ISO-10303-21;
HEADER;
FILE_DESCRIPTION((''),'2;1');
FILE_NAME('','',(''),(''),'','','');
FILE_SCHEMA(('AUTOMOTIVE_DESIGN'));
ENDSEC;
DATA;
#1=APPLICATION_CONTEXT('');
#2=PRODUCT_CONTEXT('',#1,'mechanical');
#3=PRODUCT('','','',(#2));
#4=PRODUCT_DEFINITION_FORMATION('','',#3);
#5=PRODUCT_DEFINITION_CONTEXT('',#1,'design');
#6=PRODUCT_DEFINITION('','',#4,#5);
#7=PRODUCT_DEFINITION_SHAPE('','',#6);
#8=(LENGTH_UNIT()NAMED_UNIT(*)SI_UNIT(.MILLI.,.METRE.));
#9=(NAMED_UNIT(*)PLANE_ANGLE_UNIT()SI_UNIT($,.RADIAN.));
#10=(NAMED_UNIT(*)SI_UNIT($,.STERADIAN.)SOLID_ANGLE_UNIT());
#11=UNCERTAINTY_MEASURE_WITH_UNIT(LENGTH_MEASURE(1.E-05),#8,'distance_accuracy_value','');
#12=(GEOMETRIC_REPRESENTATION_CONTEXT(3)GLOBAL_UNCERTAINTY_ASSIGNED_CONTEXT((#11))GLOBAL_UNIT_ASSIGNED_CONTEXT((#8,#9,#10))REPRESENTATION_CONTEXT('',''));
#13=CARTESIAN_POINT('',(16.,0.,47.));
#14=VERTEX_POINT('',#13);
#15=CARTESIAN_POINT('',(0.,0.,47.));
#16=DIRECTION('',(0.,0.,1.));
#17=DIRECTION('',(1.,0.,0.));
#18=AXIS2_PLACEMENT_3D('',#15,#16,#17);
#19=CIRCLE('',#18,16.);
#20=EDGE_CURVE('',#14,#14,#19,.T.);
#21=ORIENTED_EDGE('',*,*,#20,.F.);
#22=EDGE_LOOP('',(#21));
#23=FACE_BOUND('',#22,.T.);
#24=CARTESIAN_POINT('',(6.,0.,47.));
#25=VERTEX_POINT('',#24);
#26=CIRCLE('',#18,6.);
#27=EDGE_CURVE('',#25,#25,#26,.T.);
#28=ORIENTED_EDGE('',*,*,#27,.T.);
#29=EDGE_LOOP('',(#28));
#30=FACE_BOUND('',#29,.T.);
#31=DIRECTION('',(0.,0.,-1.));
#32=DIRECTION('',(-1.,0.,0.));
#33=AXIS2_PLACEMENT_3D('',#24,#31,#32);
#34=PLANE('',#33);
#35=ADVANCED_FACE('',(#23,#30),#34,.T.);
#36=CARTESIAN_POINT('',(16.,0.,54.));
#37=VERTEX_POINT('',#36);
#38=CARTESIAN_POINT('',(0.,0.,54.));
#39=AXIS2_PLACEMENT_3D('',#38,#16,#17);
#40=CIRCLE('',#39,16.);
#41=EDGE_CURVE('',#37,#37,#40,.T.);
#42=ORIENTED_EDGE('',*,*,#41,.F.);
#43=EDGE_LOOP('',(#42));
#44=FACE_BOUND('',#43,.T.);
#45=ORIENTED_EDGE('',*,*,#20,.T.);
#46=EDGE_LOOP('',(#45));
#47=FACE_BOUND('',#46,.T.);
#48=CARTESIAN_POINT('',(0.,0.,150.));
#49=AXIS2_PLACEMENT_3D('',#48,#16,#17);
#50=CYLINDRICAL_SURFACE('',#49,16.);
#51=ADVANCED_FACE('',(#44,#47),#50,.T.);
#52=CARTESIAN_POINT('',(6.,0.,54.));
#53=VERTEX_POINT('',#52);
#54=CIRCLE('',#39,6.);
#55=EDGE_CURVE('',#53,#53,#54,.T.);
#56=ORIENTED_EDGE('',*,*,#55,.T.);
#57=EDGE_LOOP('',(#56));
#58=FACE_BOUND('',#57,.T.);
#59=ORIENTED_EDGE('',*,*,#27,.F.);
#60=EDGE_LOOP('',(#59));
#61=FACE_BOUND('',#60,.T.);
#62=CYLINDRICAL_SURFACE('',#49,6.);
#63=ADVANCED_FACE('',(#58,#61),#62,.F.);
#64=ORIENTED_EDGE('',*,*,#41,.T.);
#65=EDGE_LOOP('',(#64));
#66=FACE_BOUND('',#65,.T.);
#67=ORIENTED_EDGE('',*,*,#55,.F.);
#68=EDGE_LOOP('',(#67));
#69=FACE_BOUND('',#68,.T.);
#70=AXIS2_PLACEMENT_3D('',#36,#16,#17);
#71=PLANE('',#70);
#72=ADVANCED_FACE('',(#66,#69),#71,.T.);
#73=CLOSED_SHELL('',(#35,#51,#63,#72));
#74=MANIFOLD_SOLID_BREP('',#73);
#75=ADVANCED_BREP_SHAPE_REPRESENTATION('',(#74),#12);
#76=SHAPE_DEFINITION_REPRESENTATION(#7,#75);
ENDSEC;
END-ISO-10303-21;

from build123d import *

# Parameters (mm, degrees)
SKETCH1_W = 10
SKETCH1_H = 7


with BuildPart() as part:
    # Sketch1 → REV_Radial_Seal_12x32x7_envelope (revolve)
    with BuildSketch(Plane(origin=(0, 0, 0), x_dir=(1, 0, 0), z_dir=(0, 1, 0))):
        with Locations((11, -50.5)):
            Rectangle(SKETCH1_W, SKETCH1_H)
    revolve(axis=Axis((0, 0, 150), (0, 0, -1)))


solid = part.part
